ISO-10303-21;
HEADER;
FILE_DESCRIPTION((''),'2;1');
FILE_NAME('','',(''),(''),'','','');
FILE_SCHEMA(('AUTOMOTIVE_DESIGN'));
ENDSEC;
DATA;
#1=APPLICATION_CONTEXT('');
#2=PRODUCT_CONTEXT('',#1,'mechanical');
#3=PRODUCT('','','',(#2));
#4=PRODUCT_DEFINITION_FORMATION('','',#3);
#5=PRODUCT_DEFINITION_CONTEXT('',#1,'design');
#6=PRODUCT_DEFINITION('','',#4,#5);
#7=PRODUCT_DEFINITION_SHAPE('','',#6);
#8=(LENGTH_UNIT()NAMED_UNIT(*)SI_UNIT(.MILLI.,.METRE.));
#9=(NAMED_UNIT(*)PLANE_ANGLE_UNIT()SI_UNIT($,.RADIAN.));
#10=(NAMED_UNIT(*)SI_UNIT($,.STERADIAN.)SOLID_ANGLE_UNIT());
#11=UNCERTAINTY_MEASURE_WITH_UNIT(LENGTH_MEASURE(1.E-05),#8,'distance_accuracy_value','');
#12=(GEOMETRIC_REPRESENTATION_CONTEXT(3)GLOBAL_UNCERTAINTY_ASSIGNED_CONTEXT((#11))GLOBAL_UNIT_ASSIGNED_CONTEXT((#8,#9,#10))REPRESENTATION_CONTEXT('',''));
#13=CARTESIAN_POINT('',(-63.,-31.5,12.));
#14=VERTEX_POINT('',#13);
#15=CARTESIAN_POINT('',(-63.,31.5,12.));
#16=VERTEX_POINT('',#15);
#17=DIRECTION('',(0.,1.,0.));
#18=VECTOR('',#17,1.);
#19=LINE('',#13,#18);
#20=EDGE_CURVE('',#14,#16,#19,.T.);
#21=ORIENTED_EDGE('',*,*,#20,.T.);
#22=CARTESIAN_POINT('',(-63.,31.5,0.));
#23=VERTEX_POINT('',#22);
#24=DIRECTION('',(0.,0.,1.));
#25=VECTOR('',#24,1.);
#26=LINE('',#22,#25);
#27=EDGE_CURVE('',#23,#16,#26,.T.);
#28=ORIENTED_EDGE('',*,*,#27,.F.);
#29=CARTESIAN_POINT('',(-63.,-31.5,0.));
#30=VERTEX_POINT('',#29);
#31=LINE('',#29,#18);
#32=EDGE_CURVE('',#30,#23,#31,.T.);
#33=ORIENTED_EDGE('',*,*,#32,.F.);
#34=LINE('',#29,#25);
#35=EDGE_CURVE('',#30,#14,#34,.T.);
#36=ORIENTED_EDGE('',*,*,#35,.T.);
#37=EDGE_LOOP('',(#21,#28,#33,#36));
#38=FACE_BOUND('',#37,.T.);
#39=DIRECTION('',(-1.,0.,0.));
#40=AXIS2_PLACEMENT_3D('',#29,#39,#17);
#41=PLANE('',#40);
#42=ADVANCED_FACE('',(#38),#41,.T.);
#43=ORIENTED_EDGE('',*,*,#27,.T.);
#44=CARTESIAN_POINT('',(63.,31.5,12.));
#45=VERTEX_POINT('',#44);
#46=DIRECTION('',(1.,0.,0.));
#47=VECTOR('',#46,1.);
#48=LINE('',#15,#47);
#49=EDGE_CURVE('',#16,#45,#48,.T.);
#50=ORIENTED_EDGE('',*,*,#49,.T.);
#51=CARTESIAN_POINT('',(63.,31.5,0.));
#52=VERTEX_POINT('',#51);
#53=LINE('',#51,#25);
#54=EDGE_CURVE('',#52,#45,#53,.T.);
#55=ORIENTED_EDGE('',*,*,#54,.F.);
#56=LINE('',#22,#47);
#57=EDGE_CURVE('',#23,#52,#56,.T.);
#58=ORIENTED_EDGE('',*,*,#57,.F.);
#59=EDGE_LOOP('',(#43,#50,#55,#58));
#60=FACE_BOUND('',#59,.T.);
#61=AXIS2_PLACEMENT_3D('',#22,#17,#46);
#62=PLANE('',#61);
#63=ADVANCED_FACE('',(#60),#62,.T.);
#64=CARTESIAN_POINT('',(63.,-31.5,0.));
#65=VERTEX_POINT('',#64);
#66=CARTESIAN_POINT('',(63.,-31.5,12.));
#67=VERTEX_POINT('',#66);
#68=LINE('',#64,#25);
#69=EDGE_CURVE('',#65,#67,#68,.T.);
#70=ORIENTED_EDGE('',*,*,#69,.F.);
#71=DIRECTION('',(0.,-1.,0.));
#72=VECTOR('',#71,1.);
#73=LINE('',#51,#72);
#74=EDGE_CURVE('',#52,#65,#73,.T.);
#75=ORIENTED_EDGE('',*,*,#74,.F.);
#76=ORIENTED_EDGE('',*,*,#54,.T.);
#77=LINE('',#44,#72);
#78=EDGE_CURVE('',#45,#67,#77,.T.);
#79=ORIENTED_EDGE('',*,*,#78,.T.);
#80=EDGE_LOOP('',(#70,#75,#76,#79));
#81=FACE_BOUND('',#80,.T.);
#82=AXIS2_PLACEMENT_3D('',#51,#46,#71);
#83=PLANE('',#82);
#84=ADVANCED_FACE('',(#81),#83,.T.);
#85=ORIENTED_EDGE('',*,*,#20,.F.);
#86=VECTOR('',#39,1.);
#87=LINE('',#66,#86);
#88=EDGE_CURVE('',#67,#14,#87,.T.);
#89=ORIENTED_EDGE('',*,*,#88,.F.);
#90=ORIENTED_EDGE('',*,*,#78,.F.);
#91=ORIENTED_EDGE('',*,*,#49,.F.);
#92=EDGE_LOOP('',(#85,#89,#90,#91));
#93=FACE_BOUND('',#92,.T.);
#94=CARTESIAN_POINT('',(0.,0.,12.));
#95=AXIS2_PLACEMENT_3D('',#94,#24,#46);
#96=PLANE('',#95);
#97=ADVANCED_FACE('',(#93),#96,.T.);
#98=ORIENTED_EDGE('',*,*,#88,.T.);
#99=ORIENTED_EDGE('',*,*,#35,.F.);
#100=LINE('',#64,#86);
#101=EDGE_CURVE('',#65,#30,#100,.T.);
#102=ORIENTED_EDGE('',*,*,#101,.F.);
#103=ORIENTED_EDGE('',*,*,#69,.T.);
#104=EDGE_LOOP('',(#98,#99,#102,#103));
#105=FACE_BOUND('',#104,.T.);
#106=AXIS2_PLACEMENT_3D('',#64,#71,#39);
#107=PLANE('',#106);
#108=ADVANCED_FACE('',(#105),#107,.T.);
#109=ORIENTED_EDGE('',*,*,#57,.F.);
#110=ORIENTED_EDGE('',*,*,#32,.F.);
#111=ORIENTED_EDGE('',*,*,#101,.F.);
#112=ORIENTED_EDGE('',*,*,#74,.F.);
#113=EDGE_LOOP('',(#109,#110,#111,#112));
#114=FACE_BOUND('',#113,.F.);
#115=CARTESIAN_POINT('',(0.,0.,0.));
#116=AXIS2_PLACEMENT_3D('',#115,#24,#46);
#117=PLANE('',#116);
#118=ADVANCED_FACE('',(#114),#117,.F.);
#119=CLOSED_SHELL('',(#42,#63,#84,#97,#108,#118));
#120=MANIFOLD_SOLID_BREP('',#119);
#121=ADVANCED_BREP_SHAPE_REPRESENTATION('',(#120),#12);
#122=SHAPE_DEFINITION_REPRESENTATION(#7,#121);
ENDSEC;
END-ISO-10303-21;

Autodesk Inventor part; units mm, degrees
ref_plane "YZ Plane" through (0, 0, 0) normal (1, 0, 0) x (0, 1, 0)
ref_plane "XZ Plane" through (0, 0, 0) normal (0, 1, 0) x (-1, 0, 0)
ref_plane "XY Plane" through (0, 0, 0) normal (0, 0, 1) x (1, 0, 0)
sketch "Skizze1" plane through (0, 0, 0) normal (0, 0, 1) x (1, 0, 0)
  line L0 (-63, 31.5) -> (63, 31.5)
  line L1 (63, 31.5) -> (63, -31.5)
  line L2 (63, -31.5) -> (-63, -31.5)
  line L3 (-63, -31.5) -> (-63, 31.5)
  point P0 (0, 0)
  point P1 (0, 31.5)
  point P2 (-63, 0)
  dimension "d0" = 126
  dimension "d1" = 63
extrude "Extrusion1" add sketch "Skizze1" along normal blind 12
properties part number "Querseite_Konsole" material "Holz (Kirsche)"
